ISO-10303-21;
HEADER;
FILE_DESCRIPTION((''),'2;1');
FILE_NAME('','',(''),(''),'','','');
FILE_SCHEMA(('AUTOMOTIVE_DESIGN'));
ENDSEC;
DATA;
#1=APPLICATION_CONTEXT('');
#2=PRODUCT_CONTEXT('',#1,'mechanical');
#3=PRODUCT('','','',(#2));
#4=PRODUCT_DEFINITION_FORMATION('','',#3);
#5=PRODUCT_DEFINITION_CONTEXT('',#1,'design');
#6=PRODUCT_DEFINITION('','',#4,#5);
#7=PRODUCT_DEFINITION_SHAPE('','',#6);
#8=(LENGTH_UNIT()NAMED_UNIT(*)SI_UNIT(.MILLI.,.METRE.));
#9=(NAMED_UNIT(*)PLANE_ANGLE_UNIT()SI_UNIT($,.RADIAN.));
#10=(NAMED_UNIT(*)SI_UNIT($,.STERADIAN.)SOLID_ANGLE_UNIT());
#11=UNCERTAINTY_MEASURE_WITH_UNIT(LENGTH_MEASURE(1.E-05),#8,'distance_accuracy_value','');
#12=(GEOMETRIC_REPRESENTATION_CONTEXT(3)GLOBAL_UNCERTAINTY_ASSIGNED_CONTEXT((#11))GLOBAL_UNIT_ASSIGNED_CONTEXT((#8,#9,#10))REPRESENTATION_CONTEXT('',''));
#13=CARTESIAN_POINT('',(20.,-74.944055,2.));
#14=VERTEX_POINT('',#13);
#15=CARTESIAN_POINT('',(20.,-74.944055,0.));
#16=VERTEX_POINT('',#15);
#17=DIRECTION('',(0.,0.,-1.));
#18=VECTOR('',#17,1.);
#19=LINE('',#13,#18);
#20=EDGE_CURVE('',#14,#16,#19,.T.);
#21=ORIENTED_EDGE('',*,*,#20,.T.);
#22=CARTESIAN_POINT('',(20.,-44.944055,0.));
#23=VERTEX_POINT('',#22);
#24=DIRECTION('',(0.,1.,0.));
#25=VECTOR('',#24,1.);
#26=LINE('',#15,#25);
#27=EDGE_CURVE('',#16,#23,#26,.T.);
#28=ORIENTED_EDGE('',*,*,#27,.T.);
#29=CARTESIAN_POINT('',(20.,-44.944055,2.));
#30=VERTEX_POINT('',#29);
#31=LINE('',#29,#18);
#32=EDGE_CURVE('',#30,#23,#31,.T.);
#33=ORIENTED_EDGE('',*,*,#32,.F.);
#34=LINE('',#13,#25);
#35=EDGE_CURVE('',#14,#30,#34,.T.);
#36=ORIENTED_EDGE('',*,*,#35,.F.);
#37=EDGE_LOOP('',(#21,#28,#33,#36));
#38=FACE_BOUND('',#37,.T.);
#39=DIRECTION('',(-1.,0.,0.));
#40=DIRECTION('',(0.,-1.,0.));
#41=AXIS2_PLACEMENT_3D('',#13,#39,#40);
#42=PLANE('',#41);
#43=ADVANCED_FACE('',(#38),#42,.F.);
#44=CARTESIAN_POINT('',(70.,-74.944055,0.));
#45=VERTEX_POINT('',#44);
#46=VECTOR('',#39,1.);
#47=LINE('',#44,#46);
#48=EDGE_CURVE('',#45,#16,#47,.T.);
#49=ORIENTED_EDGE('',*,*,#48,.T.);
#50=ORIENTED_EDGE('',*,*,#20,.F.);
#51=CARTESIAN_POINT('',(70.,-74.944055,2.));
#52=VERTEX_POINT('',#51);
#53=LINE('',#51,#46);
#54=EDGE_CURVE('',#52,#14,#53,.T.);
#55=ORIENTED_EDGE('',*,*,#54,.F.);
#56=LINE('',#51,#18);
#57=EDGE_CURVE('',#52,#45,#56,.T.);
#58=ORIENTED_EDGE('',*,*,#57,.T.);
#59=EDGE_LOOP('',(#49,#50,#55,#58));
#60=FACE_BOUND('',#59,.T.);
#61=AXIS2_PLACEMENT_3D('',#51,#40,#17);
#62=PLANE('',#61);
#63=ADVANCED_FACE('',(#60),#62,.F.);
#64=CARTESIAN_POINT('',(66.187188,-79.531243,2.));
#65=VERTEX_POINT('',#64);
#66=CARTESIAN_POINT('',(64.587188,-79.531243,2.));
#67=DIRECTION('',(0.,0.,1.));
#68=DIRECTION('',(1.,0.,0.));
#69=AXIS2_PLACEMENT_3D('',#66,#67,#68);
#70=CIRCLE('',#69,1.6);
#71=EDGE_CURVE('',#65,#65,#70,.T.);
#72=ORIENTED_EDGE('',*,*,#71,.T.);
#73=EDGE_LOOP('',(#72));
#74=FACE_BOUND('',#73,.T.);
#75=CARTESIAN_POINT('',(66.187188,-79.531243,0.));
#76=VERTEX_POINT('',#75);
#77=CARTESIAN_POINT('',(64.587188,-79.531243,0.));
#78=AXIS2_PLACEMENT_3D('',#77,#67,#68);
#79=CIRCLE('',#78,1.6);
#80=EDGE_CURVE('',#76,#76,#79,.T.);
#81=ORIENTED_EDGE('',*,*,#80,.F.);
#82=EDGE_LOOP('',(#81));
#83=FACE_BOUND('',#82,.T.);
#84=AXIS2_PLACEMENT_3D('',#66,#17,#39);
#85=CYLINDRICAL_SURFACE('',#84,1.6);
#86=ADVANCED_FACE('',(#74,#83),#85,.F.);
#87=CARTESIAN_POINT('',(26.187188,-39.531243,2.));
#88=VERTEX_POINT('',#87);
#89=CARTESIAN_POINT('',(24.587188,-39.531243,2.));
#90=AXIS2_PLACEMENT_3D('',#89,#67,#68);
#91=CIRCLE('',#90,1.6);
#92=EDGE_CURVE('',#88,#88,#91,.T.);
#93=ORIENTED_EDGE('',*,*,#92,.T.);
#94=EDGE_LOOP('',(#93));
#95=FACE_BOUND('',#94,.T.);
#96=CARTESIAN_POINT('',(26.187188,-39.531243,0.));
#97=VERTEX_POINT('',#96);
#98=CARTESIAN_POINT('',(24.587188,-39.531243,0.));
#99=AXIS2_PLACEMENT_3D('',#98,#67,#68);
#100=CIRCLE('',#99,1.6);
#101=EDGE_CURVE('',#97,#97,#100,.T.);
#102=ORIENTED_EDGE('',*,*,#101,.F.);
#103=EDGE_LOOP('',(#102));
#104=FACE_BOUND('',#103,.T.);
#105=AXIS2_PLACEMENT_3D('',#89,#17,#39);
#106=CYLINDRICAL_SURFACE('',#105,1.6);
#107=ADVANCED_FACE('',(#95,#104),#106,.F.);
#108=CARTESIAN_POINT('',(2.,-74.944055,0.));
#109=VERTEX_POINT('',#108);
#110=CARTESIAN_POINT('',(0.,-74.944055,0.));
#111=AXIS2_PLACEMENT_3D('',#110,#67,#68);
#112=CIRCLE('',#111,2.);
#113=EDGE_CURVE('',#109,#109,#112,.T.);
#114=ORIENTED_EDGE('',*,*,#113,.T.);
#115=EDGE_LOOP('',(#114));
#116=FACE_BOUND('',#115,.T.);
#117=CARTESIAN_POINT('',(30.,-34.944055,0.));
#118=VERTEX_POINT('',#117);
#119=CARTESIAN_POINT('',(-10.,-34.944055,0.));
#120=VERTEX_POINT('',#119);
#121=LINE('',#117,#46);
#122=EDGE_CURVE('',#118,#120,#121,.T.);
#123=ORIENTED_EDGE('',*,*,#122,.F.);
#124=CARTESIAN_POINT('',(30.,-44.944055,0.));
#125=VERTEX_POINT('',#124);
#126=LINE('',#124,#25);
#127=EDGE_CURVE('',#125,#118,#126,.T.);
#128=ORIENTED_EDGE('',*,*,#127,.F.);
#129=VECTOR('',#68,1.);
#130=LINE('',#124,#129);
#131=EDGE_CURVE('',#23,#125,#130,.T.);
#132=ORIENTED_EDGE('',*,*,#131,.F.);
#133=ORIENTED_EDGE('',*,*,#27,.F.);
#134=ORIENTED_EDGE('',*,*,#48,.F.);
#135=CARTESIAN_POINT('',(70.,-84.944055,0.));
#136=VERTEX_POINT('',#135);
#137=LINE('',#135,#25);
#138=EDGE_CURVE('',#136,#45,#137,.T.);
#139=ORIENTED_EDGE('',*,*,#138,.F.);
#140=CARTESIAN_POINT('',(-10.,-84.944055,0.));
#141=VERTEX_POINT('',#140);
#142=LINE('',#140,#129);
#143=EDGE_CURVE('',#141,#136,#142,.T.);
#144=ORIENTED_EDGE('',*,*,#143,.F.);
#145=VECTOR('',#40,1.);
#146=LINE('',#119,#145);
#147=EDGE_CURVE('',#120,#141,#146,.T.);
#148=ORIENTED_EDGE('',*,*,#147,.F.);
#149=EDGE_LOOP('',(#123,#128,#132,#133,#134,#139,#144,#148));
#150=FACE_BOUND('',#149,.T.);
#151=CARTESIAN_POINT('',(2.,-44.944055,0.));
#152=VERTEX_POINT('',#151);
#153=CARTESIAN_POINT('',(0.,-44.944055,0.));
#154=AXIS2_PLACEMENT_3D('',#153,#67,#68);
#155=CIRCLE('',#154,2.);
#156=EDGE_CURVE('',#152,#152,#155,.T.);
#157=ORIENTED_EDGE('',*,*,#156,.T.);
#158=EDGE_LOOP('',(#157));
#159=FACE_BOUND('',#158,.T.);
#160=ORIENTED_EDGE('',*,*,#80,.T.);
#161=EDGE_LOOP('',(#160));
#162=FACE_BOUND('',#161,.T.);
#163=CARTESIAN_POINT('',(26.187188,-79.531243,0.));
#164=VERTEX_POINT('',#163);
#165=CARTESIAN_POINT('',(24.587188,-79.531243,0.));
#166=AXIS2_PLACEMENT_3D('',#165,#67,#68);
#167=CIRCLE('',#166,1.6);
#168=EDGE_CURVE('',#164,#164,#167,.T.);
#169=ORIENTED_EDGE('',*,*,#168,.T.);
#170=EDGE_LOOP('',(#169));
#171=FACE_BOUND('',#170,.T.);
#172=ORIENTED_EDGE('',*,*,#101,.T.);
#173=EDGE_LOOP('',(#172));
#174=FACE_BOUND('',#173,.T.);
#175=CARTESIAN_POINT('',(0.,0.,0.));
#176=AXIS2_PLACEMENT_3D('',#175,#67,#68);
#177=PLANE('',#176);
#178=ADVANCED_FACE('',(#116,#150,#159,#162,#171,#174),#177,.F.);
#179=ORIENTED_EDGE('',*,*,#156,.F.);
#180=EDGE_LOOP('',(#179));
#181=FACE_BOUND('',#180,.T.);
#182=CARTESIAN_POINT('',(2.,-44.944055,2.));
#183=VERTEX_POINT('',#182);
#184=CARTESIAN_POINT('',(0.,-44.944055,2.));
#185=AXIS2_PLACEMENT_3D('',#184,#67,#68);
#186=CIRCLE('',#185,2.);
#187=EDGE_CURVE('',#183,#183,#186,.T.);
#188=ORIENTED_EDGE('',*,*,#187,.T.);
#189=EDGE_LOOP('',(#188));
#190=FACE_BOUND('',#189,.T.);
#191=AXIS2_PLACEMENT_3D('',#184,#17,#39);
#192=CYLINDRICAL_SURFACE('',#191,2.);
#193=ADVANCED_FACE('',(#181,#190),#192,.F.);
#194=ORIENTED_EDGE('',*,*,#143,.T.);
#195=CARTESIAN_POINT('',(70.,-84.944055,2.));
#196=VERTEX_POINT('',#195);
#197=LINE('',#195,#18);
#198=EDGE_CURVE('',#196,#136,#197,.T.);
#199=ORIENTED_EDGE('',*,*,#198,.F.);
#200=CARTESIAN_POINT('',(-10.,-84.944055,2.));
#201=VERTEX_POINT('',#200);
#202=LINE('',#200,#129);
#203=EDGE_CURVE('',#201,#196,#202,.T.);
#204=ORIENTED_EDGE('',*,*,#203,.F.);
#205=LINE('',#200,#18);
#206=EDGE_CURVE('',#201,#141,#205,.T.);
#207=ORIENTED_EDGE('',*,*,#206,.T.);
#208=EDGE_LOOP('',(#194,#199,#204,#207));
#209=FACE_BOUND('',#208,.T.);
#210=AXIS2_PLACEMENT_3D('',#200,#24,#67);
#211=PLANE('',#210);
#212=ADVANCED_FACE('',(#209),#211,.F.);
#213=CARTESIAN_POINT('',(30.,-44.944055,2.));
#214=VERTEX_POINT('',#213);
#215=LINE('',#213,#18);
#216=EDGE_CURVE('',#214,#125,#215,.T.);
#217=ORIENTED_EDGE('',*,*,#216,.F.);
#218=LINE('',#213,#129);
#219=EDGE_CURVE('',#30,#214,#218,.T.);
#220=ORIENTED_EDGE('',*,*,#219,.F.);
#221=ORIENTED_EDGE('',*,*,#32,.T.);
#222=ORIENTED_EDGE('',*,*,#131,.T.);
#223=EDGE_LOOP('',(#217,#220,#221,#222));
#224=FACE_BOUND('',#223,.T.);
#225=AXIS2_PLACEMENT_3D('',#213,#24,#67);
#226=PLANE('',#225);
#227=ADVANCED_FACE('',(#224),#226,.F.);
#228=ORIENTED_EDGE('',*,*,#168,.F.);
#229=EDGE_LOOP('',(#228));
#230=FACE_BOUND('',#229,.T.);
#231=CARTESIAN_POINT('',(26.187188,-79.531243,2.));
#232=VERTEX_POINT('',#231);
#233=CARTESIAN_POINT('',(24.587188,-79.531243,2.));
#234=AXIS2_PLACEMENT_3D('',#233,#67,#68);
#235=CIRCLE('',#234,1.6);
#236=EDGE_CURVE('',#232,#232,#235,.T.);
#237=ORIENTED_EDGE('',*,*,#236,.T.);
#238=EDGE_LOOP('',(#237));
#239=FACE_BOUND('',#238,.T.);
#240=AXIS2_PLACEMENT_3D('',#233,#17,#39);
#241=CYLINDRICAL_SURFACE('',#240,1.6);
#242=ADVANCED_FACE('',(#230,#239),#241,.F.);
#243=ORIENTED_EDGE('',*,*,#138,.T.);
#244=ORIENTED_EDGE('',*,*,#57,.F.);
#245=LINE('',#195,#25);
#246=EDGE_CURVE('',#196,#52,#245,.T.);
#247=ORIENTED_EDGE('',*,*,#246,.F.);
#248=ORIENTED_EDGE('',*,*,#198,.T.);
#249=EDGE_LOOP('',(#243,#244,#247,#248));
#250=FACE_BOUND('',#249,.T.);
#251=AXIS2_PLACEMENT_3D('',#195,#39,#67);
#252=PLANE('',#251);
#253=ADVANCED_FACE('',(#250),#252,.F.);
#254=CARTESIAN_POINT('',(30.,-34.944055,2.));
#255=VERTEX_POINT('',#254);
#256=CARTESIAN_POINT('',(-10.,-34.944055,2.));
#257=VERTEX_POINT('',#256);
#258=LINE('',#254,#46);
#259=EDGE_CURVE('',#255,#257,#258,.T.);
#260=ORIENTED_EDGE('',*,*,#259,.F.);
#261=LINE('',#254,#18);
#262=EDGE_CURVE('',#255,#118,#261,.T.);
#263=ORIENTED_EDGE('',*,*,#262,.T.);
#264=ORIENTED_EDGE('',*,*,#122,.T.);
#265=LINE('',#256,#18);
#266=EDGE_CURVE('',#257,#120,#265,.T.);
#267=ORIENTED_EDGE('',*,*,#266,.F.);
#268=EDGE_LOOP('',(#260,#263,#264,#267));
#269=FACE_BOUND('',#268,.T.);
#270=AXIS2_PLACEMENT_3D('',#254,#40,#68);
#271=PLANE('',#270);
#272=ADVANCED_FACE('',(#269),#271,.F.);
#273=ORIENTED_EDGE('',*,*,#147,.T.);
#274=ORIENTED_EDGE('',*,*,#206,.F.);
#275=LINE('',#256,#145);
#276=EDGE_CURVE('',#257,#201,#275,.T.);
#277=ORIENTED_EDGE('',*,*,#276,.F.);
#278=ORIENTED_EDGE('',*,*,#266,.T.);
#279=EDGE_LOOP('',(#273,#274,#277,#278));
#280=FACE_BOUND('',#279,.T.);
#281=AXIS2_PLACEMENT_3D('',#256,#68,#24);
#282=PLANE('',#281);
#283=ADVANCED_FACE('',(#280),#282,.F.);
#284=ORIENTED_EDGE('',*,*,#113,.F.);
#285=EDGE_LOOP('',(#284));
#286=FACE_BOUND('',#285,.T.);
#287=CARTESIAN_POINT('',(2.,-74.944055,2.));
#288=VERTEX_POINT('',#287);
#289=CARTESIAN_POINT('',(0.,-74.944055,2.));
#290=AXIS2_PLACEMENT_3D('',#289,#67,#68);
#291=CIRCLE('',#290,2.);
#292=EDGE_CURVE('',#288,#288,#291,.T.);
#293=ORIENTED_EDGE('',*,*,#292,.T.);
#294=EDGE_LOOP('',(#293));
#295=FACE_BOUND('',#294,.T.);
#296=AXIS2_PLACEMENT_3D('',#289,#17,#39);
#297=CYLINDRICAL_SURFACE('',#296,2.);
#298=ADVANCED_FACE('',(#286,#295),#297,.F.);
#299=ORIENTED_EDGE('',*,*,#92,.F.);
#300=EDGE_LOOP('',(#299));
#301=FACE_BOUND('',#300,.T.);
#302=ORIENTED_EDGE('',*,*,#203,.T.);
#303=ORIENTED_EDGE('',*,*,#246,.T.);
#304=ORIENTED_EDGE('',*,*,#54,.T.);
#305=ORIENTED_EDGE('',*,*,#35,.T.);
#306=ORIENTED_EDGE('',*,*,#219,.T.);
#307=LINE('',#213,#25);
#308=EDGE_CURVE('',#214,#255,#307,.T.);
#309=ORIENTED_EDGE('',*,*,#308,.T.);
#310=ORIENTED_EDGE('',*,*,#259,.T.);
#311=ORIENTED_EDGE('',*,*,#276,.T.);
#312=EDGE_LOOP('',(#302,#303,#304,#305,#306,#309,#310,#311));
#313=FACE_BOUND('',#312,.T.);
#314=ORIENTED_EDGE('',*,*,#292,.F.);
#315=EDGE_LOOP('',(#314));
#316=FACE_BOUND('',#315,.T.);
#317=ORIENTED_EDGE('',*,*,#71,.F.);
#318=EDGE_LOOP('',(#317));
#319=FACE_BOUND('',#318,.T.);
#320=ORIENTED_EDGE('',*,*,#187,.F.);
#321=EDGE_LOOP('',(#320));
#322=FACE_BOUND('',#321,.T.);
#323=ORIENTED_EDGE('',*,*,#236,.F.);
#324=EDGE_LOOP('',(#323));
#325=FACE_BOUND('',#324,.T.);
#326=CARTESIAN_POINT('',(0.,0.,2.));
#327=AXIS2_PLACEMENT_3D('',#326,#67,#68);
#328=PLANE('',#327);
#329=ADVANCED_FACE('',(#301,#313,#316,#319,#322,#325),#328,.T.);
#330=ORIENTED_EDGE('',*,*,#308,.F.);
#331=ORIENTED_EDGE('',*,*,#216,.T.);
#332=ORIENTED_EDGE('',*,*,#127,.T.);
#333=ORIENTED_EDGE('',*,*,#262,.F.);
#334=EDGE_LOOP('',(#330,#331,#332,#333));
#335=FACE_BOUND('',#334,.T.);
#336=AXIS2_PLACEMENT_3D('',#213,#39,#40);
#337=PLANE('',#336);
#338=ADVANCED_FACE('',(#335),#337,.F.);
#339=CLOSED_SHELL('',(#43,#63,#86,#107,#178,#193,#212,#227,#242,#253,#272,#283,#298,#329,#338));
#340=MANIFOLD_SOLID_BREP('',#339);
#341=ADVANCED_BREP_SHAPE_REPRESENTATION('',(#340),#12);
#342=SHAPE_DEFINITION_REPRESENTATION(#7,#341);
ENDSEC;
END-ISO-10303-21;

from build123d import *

# Parameters (mm, degrees)
SKETCH2_R           = 1.6
SKETCH2_R_2         = 2
BOSS_EXTRUDE1_DEPTH = 2


with BuildPart() as part:
    # Sketch2 → Boss-Extrude1 (new body)
    with BuildSketch(Plane.XY):
        Polygon((-10, -34.944055233), (-10, -84.944055233), (70, -84.944055233), (70, -74.944055233), (20, -74.944055233), (20, -44.944055233), (30, -44.944055233), (30, -34.944055233), align=None)
        with Locations((24.587187523, -39.531242756)):
            Circle(SKETCH2_R, mode=Mode.SUBTRACT)
        with Locations((24.587187523, -79.531242756)):
            Circle(SKETCH2_R, mode=Mode.SUBTRACT)
        with Locations((64.587187523, -79.531242756)):
            Circle(SKETCH2_R, mode=Mode.SUBTRACT)
        with Locations((0, -74.944055233)):
            Circle(SKETCH2_R_2, mode=Mode.SUBTRACT)
        with Locations((0, -44.944055233)):
            Circle(SKETCH2_R_2, mode=Mode.SUBTRACT)
    extrude(amount=BOSS_EXTRUDE1_DEPTH)


solid = part.part
